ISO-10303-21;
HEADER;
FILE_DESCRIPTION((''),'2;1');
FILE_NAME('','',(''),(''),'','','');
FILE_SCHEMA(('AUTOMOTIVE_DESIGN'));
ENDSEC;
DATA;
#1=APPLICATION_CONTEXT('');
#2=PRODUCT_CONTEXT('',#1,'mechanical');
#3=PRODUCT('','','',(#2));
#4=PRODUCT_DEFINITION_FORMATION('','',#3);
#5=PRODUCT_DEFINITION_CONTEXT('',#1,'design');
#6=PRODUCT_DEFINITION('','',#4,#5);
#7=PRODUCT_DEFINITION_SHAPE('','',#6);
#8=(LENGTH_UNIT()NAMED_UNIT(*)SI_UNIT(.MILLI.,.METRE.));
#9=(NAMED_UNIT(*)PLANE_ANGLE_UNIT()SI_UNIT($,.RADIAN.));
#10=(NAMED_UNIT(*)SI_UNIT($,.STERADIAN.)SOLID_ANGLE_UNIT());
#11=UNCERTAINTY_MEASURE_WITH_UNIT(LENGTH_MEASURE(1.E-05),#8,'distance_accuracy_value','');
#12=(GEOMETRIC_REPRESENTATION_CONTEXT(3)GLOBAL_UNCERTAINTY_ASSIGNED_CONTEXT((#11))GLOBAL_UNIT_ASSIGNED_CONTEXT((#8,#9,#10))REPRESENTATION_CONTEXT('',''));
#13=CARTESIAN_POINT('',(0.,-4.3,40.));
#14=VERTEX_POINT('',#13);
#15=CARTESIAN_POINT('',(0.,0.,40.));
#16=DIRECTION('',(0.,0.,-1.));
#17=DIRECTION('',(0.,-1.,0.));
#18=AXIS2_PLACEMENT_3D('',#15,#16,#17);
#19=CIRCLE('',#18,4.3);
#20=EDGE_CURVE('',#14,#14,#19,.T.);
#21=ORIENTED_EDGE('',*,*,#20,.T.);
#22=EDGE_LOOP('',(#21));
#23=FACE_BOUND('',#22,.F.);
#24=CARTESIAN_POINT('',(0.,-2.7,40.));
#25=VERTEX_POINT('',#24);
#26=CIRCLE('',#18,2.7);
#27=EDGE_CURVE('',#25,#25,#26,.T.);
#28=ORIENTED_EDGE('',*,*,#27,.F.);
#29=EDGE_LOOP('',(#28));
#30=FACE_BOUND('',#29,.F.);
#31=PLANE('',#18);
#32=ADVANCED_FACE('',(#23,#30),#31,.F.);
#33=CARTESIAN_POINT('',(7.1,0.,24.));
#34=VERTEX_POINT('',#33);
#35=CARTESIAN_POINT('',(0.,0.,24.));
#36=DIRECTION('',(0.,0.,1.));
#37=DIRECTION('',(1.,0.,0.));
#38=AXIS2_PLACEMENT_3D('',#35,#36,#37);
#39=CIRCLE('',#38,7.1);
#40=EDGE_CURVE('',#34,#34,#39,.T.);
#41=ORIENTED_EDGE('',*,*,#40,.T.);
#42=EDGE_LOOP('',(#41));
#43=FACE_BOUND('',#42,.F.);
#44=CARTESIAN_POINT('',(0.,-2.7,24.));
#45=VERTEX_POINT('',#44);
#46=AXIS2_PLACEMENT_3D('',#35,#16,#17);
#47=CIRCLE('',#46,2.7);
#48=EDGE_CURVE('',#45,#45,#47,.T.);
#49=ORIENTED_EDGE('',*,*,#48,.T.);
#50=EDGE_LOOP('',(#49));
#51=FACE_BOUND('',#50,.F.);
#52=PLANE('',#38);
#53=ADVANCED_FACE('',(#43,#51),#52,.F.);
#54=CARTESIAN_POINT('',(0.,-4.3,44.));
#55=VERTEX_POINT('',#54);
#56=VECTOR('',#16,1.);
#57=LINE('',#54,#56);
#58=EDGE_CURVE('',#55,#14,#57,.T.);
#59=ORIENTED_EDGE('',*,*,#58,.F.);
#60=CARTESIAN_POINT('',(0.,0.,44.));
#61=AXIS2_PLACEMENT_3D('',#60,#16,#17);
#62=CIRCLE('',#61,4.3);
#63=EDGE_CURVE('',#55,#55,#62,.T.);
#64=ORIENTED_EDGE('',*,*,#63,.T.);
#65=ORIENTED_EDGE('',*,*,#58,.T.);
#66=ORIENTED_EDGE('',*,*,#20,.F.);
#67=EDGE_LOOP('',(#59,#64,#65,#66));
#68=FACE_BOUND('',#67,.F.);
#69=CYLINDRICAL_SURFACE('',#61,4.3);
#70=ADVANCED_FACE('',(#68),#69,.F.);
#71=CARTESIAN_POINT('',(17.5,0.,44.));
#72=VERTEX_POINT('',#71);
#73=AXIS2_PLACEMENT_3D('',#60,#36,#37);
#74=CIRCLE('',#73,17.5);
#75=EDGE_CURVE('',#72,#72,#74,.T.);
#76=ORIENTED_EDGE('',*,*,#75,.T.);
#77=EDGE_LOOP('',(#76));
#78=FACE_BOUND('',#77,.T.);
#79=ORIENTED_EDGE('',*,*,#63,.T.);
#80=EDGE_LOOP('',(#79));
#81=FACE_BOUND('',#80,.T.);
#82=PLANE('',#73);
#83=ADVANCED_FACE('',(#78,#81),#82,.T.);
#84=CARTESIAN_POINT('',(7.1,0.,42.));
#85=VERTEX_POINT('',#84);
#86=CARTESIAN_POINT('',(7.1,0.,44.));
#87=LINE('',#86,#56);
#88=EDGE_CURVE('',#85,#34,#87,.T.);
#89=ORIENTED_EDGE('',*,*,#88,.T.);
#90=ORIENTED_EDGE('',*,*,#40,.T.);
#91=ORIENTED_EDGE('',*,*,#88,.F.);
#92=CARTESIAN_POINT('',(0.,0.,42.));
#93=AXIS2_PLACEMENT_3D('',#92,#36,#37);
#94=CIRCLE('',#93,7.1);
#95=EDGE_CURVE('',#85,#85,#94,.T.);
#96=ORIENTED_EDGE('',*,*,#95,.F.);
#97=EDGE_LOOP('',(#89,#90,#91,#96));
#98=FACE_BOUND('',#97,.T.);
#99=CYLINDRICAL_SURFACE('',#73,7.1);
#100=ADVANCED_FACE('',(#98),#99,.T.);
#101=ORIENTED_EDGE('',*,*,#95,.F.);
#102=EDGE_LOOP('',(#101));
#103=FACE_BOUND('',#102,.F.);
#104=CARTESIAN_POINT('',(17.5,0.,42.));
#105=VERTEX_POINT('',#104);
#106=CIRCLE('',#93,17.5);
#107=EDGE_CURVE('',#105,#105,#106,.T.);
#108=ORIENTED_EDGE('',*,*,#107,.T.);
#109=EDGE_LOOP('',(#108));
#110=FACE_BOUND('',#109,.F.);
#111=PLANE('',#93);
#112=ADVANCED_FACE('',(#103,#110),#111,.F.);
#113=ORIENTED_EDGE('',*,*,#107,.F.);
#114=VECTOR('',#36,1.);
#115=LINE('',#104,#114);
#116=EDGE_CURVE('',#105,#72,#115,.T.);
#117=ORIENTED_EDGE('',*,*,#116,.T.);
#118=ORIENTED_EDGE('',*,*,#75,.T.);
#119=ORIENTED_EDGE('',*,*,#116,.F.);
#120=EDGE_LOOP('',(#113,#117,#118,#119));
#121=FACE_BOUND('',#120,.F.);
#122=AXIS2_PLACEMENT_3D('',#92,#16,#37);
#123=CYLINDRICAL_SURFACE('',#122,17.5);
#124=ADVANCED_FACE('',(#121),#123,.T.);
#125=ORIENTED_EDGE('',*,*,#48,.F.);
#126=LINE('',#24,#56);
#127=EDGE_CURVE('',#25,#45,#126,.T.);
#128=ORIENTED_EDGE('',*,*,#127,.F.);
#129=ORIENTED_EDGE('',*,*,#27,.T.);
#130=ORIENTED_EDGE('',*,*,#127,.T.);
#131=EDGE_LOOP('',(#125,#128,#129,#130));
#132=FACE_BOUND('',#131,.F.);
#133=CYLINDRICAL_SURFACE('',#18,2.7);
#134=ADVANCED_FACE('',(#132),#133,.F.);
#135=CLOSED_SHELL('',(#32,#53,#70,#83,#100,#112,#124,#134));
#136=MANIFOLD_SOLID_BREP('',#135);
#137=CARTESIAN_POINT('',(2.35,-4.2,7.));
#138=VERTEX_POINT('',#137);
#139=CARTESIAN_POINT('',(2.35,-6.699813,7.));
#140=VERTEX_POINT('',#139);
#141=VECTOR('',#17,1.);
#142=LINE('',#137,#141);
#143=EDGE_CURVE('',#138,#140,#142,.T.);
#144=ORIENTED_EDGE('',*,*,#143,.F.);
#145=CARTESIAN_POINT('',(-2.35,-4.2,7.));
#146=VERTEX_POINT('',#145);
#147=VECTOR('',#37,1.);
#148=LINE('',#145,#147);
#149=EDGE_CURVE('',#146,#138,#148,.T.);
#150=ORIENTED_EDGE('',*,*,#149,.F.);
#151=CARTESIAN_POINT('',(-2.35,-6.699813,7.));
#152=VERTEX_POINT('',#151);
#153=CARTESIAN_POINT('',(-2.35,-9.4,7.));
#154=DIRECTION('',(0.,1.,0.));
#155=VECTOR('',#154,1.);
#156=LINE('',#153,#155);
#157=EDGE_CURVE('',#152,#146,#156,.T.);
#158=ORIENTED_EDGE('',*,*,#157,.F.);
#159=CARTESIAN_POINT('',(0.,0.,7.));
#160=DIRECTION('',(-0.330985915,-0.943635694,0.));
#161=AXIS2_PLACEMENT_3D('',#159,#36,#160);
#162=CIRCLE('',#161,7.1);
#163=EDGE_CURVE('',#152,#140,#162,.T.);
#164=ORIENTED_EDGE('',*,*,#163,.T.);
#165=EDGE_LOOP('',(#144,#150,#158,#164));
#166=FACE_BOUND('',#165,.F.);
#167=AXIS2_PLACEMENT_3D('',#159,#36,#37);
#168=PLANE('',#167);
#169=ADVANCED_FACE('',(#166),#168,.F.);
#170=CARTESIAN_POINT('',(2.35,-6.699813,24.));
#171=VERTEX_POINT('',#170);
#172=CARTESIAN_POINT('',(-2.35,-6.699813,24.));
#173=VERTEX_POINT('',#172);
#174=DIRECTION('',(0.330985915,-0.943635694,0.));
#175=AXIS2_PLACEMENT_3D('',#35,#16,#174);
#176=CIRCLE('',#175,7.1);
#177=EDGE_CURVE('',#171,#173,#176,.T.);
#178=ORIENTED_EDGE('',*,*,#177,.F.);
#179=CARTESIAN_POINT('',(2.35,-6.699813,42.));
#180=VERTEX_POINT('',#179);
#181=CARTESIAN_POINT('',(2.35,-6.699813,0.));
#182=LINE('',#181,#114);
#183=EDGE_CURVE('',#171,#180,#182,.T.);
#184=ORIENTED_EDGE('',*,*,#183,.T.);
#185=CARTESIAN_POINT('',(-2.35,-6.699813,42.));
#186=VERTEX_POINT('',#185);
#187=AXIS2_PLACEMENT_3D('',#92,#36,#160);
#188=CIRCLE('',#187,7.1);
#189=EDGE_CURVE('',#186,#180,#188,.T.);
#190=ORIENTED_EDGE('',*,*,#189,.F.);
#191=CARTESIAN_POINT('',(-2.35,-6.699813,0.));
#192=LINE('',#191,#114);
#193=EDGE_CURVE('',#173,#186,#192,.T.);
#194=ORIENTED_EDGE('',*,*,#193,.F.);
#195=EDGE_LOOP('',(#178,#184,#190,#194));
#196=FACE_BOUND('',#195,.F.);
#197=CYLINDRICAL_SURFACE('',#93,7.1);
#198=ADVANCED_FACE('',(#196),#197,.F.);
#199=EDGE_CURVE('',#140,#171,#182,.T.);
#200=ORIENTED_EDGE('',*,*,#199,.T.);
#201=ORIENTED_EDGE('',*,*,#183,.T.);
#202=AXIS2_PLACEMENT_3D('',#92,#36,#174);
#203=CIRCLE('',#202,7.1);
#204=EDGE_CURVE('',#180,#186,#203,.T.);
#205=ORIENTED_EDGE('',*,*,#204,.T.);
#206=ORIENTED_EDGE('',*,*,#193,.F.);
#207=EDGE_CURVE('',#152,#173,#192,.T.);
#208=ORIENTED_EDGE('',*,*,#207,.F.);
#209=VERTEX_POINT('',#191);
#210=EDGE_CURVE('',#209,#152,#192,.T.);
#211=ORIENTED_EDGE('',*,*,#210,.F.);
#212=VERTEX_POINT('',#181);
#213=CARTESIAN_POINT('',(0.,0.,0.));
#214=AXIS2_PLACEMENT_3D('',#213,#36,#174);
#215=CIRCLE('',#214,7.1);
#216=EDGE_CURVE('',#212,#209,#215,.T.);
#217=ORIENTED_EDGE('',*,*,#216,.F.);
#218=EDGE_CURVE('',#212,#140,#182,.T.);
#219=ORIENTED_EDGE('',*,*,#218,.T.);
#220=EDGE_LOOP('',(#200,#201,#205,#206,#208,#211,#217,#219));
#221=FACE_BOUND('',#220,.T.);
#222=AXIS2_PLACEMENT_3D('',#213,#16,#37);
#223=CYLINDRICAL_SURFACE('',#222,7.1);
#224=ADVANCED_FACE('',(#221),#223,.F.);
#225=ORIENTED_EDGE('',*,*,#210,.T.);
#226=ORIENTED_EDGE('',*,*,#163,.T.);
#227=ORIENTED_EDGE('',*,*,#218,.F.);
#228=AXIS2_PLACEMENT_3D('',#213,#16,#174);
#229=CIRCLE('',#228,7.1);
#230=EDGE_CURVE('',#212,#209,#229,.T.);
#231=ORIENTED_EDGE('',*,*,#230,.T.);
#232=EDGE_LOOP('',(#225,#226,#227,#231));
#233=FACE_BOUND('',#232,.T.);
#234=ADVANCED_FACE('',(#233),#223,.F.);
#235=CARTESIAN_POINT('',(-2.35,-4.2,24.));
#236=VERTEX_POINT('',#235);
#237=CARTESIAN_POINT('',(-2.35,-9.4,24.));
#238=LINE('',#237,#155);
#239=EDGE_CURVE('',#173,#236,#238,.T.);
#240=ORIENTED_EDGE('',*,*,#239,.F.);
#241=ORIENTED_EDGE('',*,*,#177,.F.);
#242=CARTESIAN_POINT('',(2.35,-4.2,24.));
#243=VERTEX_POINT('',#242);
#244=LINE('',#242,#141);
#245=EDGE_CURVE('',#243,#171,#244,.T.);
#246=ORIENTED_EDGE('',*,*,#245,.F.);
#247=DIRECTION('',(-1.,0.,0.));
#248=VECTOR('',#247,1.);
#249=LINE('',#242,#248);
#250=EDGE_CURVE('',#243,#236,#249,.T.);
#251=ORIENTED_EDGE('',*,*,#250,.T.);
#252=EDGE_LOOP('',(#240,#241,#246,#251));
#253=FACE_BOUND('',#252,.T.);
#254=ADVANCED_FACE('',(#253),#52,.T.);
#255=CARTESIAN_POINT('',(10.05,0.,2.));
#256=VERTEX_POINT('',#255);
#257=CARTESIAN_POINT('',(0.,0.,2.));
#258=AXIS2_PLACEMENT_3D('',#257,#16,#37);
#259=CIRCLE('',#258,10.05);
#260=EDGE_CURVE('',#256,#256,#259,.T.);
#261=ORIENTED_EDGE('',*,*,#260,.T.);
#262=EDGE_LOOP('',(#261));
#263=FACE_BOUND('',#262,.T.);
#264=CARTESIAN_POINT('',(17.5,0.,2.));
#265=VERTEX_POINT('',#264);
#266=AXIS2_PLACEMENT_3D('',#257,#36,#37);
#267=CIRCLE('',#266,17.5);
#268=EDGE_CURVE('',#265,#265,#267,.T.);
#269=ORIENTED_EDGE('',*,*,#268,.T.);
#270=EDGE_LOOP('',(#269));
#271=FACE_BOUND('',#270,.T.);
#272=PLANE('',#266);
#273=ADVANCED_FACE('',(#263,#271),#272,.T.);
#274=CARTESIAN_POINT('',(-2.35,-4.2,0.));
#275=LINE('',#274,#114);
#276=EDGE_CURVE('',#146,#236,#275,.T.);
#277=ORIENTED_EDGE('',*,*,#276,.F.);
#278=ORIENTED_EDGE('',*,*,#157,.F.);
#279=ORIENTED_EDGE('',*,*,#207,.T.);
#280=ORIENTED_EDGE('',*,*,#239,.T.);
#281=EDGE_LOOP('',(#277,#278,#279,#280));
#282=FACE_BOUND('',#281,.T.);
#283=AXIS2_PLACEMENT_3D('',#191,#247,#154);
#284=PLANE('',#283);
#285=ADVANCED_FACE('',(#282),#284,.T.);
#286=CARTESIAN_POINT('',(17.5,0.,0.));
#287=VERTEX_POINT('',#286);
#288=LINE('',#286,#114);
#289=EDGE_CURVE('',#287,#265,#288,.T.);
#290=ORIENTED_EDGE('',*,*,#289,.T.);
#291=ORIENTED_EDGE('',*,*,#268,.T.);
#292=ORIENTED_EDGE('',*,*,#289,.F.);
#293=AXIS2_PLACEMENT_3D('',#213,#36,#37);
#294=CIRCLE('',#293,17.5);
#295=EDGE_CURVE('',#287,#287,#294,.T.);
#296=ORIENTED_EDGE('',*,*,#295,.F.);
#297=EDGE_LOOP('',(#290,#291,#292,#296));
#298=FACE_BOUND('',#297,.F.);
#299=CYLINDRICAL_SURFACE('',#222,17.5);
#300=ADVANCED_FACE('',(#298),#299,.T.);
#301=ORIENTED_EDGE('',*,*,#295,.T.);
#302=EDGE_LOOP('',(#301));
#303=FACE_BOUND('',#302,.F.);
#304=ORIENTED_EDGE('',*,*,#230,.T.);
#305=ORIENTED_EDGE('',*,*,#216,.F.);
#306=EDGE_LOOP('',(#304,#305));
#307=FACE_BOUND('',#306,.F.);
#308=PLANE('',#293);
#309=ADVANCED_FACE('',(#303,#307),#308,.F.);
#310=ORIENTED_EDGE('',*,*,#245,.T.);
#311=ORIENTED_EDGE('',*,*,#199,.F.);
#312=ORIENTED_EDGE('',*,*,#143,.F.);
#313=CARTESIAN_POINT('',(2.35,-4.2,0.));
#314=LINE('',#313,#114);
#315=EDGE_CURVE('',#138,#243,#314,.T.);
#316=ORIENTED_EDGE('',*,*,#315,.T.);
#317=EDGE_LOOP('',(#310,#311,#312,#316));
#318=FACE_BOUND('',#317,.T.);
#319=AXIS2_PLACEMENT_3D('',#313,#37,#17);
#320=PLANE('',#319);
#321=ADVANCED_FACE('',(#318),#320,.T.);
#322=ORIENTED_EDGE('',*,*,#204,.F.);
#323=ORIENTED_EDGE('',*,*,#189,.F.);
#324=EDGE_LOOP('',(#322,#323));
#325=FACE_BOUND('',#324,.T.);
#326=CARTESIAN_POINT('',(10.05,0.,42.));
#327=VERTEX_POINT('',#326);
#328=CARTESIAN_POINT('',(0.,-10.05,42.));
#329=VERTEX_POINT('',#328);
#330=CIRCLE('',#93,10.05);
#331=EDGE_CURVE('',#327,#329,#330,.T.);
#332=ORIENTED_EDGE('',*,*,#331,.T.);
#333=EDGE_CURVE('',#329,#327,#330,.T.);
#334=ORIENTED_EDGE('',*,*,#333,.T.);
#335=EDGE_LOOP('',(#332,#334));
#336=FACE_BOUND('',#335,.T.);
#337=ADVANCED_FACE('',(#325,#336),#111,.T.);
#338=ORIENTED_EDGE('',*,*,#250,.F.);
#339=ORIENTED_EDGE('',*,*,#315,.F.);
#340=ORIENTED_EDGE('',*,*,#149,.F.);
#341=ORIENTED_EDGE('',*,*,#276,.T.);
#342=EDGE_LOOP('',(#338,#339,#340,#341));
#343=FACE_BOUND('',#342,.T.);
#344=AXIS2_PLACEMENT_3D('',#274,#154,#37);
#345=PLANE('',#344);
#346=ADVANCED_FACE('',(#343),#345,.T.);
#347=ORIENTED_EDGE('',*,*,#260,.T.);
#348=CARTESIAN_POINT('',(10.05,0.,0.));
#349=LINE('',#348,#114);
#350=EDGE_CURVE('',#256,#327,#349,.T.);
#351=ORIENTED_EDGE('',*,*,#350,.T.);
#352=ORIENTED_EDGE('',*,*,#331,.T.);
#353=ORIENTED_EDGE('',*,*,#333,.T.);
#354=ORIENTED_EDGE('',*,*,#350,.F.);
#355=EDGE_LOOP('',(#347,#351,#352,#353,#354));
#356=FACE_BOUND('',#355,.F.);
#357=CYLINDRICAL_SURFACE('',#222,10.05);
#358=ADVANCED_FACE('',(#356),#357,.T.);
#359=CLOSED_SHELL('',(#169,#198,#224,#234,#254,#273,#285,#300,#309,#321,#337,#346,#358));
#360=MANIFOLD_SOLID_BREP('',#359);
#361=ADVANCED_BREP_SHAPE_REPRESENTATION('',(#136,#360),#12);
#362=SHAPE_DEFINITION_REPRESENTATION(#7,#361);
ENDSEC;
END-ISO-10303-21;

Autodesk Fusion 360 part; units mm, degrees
sketch "Sketch1" plane through (0, 0, 0) normal (0, 0, 1) x (1, 0, 0)
  circle A0 centre (0, 0) radius 10.05
  line L0 (2.35, -4.2) -> (2.35, -9.4)
  line L1 (-2.35, -4.2) -> (2.35, -4.2)
  line L2 (-2.35, -4.2) -> (2.35, -9.4) construction
  line L3 (2.35, -9.4) -> (-2.35, -9.4)
  line L4 (2.35, -4.2) -> (-2.35, -9.4) construction
  line L5 (-2.35, -9.4) -> (-2.35, -4.2)
  circle A1 centre (0, 0) radius 7.1
  circle A2 centre (0, 0) radius 17.5
  line L6 (0, 0) -> (0, -12)
  point P0 (0, -6.8)
  dimension "d1" = 20.1
  dimension "d2" = 4.7
  dimension "d3" = 5.2
  dimension "d4" = 14.2
  dimension "d5" = 2.9
  dimension "d10" = 35
extrude "Extrude1" add sketch "Sketch1" along normal blind 42 contours L3 L5 A1 L6 | L0 L3 A1 L6 | A0 | L0 L1 A1 L6 | L1 L5 A1 L6 makes body 1
extrude "Extrude2" add sketch "Sketch1" along normal blind 2 contours A2 bodies 1
extrude "Extrude3" add sketch "Sketch1" along normal blind 2 from surface at 42 separate body contours L3 L5 A1 L6 | L0 L3 A1 L6 | A0 | L0 L1 A1 L6 | L1 L5 A1 L6 | A2 makes body 2
extrude "Extrude4" add sketch "Sketch1" against normal blind 20 from surface at 44 separate body contours L0 L1 A1 L6 | L1 L5 A1 L6 | L0 L1 L5 A1 makes body 3
combine "Combine1" operation add target body 2 tool bodies 3
move_face "OffsetFaces1" [suppressed]
sketch "Sketch2" plane through (0, 0, 44) normal (0, 0, 1) x (-1, 0, 0)
  circle A0 centre (0, 0) radius 17.5
  circle A1 centre (0, 0) radius 3
extrude "Extrude5" cut sketch "Sketch1" against normal blind 18 from surface at 42 contours L0 L1 A1 L6 | L1 L5 A1 L6 bodies 1
hole "Hole1" at (0, 0, 44) direction (0, 0, -1) diameter 5.4 depth 65 tip angle 118 counterbore diameter 8.6 counterbore depth 4 bodies 2
extrude "Extrude6" cut sketch "Sketch1" along normal blind 7 contours L0 L1 A1 L6 | L1 L5 A1 L6 bodies 1
